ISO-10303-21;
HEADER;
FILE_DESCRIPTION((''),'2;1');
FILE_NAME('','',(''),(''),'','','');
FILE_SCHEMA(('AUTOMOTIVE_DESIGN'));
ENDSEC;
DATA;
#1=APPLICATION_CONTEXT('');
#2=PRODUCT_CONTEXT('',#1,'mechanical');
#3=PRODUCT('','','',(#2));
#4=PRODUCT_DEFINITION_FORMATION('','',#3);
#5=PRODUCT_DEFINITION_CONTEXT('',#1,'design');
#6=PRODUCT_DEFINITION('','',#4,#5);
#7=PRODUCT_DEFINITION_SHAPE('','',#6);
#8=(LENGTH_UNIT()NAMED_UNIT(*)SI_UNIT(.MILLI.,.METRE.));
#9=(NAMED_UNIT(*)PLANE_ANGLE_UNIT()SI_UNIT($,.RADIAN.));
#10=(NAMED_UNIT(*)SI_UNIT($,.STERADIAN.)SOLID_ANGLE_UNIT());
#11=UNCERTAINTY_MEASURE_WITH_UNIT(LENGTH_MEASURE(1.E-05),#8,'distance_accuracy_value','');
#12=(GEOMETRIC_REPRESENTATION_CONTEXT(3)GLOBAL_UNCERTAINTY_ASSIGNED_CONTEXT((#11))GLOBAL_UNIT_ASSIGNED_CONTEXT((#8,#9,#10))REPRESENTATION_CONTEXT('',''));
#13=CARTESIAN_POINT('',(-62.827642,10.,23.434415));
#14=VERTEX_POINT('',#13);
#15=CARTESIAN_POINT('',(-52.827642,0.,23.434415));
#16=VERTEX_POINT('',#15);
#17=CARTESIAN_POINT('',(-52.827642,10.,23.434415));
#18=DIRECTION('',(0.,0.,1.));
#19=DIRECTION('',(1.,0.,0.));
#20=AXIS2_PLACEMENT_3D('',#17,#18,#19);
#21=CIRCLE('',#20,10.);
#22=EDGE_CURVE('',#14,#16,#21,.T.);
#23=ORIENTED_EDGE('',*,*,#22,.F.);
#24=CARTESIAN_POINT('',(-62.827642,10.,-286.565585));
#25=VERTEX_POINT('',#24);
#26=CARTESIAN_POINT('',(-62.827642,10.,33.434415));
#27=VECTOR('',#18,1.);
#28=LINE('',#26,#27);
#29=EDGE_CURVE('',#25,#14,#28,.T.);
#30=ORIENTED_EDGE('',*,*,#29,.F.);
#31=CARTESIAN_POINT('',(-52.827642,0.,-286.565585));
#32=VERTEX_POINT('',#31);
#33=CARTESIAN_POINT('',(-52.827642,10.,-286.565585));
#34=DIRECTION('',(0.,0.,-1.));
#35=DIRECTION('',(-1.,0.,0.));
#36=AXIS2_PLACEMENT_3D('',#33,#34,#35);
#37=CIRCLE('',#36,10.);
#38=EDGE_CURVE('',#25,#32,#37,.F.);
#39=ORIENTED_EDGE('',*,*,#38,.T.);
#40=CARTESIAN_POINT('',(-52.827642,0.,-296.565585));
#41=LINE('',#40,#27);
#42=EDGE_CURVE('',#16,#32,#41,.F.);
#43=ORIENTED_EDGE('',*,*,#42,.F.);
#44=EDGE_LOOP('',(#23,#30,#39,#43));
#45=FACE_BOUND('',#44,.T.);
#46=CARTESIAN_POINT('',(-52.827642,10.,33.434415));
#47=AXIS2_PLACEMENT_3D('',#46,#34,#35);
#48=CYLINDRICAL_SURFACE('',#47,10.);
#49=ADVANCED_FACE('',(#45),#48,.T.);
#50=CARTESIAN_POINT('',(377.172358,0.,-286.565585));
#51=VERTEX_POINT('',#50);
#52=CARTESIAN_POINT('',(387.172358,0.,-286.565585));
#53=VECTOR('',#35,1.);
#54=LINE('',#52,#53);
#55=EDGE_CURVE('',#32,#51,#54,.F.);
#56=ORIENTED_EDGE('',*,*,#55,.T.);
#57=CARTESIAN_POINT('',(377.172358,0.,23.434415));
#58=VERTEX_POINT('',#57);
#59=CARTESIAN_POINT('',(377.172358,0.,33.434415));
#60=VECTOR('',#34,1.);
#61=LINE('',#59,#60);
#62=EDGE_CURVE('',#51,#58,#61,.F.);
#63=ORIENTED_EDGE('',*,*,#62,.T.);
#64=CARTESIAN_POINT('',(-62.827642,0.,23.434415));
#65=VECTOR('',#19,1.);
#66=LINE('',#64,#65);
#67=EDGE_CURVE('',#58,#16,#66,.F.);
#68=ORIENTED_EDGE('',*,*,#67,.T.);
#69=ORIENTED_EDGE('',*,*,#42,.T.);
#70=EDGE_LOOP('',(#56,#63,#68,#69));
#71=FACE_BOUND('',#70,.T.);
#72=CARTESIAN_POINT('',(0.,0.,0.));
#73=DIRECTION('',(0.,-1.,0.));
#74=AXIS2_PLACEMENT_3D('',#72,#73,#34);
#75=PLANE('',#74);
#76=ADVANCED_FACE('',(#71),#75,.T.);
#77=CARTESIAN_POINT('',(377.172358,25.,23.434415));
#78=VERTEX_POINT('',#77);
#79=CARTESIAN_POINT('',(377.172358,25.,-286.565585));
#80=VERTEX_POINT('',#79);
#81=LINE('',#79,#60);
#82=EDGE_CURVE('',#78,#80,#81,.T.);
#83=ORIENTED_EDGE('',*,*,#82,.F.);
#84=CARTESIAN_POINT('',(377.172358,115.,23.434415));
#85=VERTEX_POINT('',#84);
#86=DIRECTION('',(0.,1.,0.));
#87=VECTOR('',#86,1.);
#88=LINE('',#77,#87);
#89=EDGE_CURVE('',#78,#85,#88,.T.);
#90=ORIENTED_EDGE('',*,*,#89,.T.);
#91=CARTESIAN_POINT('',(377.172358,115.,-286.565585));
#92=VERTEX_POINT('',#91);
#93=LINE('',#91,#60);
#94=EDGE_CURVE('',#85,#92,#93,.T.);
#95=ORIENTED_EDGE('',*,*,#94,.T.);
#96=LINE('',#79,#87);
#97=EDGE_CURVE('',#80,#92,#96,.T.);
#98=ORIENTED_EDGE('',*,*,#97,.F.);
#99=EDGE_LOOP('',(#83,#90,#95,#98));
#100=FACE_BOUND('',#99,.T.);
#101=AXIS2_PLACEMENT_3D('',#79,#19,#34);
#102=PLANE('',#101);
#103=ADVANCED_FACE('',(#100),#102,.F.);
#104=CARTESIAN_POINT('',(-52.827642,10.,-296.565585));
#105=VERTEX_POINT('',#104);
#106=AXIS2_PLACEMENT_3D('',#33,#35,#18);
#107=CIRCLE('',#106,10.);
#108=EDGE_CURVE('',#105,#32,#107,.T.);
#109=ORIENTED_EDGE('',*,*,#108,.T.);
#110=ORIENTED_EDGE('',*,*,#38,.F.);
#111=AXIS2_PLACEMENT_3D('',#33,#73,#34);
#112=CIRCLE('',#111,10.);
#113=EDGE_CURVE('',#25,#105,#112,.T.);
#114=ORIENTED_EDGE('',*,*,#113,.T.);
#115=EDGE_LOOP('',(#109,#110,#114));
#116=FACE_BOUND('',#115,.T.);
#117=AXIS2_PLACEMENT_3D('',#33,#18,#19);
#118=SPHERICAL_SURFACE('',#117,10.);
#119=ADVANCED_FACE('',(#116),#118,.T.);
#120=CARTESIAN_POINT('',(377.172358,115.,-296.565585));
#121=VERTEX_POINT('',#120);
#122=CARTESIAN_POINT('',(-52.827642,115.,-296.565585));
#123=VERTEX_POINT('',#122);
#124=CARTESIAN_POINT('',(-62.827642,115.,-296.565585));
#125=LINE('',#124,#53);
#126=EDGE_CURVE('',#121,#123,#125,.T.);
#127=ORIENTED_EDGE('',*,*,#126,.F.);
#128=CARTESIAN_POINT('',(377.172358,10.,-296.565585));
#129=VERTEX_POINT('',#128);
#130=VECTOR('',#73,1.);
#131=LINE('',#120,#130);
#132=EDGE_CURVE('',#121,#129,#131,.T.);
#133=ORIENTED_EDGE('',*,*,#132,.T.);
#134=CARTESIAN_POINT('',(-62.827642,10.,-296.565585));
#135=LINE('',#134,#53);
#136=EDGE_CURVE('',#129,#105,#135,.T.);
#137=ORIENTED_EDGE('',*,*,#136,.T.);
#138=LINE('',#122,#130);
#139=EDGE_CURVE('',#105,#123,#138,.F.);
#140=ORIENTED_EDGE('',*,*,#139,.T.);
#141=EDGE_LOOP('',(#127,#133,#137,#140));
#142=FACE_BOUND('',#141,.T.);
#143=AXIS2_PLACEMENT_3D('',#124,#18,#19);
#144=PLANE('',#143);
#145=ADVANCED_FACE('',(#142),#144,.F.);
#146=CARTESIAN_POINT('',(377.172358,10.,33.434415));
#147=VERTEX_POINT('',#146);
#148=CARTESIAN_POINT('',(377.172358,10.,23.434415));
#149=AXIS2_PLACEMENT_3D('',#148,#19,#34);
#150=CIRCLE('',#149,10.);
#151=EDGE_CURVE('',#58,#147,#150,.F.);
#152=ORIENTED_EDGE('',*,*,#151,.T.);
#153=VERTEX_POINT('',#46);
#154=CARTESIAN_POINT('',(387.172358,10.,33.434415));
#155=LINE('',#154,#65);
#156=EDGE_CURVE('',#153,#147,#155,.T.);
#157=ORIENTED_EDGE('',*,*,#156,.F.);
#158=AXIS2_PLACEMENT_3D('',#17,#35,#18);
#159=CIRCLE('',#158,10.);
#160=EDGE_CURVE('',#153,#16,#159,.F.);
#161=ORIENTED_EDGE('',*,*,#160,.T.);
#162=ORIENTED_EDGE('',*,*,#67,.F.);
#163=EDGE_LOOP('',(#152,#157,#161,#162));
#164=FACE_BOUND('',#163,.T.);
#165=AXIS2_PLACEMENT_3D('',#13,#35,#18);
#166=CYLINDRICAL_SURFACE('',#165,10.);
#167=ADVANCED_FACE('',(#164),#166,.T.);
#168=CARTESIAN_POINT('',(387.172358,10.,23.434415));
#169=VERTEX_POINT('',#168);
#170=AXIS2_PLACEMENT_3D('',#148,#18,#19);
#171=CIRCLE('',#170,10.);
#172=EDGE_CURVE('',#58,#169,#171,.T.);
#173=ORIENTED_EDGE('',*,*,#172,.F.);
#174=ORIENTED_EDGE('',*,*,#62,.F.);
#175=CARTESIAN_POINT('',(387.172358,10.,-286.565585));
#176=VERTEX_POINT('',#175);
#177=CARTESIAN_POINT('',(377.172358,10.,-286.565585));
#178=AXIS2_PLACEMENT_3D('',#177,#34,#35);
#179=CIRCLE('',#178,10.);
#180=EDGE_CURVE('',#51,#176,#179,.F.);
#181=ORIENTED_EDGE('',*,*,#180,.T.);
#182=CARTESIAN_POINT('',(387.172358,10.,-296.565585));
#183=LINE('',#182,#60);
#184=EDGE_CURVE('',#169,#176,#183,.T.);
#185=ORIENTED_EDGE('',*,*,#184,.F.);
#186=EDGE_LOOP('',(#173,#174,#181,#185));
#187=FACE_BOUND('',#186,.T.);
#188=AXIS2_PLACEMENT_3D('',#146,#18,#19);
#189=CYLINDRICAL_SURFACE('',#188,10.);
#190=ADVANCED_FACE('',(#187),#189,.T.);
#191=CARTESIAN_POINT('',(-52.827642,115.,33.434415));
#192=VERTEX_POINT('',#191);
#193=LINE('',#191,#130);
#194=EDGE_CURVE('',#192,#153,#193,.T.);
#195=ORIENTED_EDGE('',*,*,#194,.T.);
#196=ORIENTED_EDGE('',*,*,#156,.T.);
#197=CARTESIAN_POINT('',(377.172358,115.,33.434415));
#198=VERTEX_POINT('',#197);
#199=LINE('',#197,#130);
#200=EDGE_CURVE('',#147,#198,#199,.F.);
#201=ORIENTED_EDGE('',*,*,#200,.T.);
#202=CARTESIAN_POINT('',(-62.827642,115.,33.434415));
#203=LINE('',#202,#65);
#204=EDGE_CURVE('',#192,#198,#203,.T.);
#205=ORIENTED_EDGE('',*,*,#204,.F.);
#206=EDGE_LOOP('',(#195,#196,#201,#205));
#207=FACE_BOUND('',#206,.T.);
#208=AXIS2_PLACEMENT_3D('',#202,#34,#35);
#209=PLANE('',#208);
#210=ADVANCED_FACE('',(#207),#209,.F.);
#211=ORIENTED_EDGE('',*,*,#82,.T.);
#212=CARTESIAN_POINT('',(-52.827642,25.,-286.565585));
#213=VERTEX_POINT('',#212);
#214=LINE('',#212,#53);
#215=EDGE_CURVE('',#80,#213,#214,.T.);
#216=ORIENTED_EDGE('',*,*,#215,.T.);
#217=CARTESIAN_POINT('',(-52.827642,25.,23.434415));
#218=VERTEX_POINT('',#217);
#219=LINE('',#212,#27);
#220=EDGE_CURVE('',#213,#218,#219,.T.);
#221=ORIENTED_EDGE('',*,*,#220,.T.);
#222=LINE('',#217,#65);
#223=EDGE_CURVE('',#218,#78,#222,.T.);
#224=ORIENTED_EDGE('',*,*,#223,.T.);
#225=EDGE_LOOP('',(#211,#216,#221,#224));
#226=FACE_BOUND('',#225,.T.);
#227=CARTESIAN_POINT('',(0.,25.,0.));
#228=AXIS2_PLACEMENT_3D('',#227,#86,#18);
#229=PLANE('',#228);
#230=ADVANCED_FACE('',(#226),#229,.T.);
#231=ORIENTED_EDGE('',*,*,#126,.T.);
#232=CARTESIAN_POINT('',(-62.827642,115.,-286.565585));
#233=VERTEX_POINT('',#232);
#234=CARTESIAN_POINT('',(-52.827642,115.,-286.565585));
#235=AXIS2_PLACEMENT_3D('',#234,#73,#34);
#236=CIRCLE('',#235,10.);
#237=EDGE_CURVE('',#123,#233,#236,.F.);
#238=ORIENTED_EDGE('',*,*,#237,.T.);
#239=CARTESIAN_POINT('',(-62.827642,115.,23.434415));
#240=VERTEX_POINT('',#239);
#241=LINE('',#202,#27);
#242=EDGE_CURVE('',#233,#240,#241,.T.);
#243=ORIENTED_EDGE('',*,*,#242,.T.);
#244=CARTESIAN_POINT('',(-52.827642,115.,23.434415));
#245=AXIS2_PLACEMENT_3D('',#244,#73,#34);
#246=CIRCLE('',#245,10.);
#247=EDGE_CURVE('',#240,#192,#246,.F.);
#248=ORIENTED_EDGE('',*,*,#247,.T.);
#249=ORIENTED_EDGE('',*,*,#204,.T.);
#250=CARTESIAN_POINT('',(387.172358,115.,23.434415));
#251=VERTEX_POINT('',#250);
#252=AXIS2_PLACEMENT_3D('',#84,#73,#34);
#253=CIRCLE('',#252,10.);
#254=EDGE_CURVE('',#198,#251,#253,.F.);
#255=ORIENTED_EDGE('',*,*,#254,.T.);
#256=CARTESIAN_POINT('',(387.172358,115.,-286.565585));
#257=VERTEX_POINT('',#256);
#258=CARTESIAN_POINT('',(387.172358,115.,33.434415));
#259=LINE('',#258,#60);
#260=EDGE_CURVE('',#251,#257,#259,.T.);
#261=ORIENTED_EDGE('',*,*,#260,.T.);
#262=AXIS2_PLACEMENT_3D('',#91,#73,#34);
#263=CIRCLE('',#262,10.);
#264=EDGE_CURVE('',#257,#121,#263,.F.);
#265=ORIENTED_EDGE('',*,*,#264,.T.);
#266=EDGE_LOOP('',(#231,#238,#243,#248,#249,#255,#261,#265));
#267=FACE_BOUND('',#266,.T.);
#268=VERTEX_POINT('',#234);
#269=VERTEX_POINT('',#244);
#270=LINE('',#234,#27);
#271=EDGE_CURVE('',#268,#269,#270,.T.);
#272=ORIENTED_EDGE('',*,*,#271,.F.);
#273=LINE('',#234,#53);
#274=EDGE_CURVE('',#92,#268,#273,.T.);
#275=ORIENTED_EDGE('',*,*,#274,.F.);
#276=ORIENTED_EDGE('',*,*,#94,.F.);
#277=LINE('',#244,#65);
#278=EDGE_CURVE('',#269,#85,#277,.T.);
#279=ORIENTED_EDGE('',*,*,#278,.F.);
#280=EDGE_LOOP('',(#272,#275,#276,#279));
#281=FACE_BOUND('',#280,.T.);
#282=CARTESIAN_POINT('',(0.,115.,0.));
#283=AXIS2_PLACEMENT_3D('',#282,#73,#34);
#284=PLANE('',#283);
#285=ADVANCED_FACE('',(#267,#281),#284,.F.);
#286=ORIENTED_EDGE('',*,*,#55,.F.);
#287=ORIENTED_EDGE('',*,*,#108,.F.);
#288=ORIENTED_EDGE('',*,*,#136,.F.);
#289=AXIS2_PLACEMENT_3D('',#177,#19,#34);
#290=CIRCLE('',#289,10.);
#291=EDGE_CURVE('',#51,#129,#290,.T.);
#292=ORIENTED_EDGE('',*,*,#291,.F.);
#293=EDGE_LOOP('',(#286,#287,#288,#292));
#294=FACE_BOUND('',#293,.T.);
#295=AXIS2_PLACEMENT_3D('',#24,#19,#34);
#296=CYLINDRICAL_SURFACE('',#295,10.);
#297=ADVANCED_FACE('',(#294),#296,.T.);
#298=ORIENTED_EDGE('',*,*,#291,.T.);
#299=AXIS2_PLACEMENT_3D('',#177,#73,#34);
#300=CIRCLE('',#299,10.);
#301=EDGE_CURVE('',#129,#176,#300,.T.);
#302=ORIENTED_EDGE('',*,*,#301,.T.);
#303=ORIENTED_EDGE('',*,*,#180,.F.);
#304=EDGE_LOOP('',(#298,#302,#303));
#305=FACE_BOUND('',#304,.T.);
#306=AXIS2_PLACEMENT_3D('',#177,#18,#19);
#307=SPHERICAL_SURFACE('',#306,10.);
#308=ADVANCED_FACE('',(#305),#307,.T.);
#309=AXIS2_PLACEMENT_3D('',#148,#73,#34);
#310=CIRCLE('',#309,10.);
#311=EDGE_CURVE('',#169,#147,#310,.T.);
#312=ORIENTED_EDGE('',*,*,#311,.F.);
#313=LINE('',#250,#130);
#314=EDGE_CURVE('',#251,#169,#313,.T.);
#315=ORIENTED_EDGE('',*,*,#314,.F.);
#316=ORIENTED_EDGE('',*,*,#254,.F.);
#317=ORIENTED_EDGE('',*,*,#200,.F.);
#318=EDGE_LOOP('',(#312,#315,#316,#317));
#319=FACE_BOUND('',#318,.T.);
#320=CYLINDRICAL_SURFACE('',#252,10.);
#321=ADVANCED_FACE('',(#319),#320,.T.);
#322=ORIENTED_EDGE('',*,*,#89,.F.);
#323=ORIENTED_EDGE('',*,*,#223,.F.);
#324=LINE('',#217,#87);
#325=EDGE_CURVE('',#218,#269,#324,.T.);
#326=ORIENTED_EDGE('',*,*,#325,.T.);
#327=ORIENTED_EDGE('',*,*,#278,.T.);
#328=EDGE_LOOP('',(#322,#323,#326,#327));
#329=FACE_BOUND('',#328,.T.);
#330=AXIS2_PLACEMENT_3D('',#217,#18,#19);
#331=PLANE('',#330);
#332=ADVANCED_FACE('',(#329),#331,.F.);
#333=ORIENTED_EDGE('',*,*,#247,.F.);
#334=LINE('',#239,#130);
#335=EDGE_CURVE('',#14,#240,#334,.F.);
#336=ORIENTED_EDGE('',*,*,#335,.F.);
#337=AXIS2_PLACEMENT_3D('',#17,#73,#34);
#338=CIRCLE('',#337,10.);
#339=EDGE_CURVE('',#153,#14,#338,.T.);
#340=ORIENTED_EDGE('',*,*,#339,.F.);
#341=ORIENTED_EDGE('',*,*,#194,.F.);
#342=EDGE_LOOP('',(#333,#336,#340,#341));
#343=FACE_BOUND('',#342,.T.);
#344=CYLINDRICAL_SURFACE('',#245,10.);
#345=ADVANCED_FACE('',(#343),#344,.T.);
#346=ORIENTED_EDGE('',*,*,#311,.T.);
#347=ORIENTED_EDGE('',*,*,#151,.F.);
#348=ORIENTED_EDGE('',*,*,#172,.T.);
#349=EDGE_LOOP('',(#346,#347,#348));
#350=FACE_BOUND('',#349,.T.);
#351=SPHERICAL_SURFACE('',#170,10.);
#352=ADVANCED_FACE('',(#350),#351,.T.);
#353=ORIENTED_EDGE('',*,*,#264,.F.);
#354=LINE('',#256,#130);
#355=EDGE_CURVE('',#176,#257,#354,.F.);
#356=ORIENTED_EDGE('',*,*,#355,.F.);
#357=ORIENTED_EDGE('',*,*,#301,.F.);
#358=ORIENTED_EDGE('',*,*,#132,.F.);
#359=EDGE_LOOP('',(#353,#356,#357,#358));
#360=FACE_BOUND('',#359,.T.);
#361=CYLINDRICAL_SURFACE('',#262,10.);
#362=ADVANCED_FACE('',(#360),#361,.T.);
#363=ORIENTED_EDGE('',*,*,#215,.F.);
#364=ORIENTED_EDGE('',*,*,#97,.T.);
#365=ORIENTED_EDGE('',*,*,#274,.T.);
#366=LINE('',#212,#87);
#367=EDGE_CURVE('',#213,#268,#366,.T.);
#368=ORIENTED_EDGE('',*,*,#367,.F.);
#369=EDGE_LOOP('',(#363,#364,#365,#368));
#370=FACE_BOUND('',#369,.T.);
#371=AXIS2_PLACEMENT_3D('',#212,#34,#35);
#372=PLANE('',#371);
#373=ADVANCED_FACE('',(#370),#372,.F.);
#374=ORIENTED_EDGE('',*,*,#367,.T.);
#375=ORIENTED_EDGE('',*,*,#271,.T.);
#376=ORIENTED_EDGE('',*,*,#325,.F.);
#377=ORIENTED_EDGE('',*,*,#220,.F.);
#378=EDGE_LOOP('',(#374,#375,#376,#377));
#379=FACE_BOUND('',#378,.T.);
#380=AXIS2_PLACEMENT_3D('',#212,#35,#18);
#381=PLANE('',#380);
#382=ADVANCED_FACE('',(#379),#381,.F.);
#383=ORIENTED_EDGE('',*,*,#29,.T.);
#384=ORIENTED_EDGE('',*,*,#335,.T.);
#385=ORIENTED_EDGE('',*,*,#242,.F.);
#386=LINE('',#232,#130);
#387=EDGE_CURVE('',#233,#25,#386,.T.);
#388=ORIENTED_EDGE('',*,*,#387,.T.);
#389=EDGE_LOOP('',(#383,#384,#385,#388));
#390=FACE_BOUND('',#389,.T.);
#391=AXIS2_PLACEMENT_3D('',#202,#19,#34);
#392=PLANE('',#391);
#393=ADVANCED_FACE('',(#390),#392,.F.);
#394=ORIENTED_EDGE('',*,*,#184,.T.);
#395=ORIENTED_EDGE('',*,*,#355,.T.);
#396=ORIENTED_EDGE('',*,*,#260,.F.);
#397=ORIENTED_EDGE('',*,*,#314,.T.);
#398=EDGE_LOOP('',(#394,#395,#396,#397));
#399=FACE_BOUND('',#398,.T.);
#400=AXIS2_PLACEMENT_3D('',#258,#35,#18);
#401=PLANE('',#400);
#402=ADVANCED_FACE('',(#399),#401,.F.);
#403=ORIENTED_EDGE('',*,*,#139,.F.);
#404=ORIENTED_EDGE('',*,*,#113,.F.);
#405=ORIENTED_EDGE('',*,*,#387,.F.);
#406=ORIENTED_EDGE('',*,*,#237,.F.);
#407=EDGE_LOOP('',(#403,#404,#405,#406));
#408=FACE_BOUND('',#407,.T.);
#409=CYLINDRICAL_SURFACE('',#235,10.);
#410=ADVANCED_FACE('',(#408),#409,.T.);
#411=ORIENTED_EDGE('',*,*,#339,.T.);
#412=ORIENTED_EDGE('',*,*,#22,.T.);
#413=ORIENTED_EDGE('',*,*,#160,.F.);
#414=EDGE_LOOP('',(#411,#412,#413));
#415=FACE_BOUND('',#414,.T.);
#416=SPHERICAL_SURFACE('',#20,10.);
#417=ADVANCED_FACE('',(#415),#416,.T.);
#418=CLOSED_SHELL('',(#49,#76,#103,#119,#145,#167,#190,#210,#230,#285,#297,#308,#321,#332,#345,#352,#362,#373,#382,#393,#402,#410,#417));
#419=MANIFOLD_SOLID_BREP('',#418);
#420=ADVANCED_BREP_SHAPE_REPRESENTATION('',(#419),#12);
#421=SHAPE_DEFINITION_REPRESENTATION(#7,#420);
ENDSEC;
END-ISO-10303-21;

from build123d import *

# Parameters (mm, degrees)
SKETCH1_W           = 450
SKETCH1_H           = 330
BOSS_EXTRUDE1_DEPTH = 115
SKETCH2_W           = 430
SKETCH2_H           = 310
CUT_EXTRUDE1_DEPTH  = 90
FILLET1_R           = 10


with BuildPart() as part:
    # Sketch1 → Boss-Extrude1 (new body)
    with BuildSketch(Plane(origin=(0, 0, 0), x_dir=(1, 0, 0), z_dir=(0, 1, 0))):
        with Locations((162.172357903, 131.565585437)):
            Rectangle(SKETCH1_W, SKETCH1_H)
    extrude(amount=BOSS_EXTRUDE1_DEPTH)

    # Sketch2 → Cut-Extrude1 (cut)
    with BuildSketch(Plane(origin=(0, 115, 0), x_dir=(1, 0, 0), z_dir=(0, 1, 0))):
        with Locations((162.172357903, 131.565585437)):
            Rectangle(SKETCH2_W, SKETCH2_H)
    extrude(amount=-CUT_EXTRUDE1_DEPTH, mode=Mode.SUBTRACT)

    # Fillet1
    fillet1_edges = [part.edges().sort_by_distance(p)[0] for p in [
        (162.172357903, 0, -296.565585437),
        (387.172357903, 0, -131.565585437),
        (162.172357903, 0, 33.434414563),
        (-62.827642097, 0, -131.565585437),
        (-62.827642097, 57.5, -296.565585437),
        (387.172357903, 57.5, -296.565585437),
        (387.172357903, 57.5, 33.434414563),
        (-62.827642097, 57.5, 33.434414563),
    ]]
    fillet(fillet1_edges, radius=FILLET1_R)


solid = part.part
